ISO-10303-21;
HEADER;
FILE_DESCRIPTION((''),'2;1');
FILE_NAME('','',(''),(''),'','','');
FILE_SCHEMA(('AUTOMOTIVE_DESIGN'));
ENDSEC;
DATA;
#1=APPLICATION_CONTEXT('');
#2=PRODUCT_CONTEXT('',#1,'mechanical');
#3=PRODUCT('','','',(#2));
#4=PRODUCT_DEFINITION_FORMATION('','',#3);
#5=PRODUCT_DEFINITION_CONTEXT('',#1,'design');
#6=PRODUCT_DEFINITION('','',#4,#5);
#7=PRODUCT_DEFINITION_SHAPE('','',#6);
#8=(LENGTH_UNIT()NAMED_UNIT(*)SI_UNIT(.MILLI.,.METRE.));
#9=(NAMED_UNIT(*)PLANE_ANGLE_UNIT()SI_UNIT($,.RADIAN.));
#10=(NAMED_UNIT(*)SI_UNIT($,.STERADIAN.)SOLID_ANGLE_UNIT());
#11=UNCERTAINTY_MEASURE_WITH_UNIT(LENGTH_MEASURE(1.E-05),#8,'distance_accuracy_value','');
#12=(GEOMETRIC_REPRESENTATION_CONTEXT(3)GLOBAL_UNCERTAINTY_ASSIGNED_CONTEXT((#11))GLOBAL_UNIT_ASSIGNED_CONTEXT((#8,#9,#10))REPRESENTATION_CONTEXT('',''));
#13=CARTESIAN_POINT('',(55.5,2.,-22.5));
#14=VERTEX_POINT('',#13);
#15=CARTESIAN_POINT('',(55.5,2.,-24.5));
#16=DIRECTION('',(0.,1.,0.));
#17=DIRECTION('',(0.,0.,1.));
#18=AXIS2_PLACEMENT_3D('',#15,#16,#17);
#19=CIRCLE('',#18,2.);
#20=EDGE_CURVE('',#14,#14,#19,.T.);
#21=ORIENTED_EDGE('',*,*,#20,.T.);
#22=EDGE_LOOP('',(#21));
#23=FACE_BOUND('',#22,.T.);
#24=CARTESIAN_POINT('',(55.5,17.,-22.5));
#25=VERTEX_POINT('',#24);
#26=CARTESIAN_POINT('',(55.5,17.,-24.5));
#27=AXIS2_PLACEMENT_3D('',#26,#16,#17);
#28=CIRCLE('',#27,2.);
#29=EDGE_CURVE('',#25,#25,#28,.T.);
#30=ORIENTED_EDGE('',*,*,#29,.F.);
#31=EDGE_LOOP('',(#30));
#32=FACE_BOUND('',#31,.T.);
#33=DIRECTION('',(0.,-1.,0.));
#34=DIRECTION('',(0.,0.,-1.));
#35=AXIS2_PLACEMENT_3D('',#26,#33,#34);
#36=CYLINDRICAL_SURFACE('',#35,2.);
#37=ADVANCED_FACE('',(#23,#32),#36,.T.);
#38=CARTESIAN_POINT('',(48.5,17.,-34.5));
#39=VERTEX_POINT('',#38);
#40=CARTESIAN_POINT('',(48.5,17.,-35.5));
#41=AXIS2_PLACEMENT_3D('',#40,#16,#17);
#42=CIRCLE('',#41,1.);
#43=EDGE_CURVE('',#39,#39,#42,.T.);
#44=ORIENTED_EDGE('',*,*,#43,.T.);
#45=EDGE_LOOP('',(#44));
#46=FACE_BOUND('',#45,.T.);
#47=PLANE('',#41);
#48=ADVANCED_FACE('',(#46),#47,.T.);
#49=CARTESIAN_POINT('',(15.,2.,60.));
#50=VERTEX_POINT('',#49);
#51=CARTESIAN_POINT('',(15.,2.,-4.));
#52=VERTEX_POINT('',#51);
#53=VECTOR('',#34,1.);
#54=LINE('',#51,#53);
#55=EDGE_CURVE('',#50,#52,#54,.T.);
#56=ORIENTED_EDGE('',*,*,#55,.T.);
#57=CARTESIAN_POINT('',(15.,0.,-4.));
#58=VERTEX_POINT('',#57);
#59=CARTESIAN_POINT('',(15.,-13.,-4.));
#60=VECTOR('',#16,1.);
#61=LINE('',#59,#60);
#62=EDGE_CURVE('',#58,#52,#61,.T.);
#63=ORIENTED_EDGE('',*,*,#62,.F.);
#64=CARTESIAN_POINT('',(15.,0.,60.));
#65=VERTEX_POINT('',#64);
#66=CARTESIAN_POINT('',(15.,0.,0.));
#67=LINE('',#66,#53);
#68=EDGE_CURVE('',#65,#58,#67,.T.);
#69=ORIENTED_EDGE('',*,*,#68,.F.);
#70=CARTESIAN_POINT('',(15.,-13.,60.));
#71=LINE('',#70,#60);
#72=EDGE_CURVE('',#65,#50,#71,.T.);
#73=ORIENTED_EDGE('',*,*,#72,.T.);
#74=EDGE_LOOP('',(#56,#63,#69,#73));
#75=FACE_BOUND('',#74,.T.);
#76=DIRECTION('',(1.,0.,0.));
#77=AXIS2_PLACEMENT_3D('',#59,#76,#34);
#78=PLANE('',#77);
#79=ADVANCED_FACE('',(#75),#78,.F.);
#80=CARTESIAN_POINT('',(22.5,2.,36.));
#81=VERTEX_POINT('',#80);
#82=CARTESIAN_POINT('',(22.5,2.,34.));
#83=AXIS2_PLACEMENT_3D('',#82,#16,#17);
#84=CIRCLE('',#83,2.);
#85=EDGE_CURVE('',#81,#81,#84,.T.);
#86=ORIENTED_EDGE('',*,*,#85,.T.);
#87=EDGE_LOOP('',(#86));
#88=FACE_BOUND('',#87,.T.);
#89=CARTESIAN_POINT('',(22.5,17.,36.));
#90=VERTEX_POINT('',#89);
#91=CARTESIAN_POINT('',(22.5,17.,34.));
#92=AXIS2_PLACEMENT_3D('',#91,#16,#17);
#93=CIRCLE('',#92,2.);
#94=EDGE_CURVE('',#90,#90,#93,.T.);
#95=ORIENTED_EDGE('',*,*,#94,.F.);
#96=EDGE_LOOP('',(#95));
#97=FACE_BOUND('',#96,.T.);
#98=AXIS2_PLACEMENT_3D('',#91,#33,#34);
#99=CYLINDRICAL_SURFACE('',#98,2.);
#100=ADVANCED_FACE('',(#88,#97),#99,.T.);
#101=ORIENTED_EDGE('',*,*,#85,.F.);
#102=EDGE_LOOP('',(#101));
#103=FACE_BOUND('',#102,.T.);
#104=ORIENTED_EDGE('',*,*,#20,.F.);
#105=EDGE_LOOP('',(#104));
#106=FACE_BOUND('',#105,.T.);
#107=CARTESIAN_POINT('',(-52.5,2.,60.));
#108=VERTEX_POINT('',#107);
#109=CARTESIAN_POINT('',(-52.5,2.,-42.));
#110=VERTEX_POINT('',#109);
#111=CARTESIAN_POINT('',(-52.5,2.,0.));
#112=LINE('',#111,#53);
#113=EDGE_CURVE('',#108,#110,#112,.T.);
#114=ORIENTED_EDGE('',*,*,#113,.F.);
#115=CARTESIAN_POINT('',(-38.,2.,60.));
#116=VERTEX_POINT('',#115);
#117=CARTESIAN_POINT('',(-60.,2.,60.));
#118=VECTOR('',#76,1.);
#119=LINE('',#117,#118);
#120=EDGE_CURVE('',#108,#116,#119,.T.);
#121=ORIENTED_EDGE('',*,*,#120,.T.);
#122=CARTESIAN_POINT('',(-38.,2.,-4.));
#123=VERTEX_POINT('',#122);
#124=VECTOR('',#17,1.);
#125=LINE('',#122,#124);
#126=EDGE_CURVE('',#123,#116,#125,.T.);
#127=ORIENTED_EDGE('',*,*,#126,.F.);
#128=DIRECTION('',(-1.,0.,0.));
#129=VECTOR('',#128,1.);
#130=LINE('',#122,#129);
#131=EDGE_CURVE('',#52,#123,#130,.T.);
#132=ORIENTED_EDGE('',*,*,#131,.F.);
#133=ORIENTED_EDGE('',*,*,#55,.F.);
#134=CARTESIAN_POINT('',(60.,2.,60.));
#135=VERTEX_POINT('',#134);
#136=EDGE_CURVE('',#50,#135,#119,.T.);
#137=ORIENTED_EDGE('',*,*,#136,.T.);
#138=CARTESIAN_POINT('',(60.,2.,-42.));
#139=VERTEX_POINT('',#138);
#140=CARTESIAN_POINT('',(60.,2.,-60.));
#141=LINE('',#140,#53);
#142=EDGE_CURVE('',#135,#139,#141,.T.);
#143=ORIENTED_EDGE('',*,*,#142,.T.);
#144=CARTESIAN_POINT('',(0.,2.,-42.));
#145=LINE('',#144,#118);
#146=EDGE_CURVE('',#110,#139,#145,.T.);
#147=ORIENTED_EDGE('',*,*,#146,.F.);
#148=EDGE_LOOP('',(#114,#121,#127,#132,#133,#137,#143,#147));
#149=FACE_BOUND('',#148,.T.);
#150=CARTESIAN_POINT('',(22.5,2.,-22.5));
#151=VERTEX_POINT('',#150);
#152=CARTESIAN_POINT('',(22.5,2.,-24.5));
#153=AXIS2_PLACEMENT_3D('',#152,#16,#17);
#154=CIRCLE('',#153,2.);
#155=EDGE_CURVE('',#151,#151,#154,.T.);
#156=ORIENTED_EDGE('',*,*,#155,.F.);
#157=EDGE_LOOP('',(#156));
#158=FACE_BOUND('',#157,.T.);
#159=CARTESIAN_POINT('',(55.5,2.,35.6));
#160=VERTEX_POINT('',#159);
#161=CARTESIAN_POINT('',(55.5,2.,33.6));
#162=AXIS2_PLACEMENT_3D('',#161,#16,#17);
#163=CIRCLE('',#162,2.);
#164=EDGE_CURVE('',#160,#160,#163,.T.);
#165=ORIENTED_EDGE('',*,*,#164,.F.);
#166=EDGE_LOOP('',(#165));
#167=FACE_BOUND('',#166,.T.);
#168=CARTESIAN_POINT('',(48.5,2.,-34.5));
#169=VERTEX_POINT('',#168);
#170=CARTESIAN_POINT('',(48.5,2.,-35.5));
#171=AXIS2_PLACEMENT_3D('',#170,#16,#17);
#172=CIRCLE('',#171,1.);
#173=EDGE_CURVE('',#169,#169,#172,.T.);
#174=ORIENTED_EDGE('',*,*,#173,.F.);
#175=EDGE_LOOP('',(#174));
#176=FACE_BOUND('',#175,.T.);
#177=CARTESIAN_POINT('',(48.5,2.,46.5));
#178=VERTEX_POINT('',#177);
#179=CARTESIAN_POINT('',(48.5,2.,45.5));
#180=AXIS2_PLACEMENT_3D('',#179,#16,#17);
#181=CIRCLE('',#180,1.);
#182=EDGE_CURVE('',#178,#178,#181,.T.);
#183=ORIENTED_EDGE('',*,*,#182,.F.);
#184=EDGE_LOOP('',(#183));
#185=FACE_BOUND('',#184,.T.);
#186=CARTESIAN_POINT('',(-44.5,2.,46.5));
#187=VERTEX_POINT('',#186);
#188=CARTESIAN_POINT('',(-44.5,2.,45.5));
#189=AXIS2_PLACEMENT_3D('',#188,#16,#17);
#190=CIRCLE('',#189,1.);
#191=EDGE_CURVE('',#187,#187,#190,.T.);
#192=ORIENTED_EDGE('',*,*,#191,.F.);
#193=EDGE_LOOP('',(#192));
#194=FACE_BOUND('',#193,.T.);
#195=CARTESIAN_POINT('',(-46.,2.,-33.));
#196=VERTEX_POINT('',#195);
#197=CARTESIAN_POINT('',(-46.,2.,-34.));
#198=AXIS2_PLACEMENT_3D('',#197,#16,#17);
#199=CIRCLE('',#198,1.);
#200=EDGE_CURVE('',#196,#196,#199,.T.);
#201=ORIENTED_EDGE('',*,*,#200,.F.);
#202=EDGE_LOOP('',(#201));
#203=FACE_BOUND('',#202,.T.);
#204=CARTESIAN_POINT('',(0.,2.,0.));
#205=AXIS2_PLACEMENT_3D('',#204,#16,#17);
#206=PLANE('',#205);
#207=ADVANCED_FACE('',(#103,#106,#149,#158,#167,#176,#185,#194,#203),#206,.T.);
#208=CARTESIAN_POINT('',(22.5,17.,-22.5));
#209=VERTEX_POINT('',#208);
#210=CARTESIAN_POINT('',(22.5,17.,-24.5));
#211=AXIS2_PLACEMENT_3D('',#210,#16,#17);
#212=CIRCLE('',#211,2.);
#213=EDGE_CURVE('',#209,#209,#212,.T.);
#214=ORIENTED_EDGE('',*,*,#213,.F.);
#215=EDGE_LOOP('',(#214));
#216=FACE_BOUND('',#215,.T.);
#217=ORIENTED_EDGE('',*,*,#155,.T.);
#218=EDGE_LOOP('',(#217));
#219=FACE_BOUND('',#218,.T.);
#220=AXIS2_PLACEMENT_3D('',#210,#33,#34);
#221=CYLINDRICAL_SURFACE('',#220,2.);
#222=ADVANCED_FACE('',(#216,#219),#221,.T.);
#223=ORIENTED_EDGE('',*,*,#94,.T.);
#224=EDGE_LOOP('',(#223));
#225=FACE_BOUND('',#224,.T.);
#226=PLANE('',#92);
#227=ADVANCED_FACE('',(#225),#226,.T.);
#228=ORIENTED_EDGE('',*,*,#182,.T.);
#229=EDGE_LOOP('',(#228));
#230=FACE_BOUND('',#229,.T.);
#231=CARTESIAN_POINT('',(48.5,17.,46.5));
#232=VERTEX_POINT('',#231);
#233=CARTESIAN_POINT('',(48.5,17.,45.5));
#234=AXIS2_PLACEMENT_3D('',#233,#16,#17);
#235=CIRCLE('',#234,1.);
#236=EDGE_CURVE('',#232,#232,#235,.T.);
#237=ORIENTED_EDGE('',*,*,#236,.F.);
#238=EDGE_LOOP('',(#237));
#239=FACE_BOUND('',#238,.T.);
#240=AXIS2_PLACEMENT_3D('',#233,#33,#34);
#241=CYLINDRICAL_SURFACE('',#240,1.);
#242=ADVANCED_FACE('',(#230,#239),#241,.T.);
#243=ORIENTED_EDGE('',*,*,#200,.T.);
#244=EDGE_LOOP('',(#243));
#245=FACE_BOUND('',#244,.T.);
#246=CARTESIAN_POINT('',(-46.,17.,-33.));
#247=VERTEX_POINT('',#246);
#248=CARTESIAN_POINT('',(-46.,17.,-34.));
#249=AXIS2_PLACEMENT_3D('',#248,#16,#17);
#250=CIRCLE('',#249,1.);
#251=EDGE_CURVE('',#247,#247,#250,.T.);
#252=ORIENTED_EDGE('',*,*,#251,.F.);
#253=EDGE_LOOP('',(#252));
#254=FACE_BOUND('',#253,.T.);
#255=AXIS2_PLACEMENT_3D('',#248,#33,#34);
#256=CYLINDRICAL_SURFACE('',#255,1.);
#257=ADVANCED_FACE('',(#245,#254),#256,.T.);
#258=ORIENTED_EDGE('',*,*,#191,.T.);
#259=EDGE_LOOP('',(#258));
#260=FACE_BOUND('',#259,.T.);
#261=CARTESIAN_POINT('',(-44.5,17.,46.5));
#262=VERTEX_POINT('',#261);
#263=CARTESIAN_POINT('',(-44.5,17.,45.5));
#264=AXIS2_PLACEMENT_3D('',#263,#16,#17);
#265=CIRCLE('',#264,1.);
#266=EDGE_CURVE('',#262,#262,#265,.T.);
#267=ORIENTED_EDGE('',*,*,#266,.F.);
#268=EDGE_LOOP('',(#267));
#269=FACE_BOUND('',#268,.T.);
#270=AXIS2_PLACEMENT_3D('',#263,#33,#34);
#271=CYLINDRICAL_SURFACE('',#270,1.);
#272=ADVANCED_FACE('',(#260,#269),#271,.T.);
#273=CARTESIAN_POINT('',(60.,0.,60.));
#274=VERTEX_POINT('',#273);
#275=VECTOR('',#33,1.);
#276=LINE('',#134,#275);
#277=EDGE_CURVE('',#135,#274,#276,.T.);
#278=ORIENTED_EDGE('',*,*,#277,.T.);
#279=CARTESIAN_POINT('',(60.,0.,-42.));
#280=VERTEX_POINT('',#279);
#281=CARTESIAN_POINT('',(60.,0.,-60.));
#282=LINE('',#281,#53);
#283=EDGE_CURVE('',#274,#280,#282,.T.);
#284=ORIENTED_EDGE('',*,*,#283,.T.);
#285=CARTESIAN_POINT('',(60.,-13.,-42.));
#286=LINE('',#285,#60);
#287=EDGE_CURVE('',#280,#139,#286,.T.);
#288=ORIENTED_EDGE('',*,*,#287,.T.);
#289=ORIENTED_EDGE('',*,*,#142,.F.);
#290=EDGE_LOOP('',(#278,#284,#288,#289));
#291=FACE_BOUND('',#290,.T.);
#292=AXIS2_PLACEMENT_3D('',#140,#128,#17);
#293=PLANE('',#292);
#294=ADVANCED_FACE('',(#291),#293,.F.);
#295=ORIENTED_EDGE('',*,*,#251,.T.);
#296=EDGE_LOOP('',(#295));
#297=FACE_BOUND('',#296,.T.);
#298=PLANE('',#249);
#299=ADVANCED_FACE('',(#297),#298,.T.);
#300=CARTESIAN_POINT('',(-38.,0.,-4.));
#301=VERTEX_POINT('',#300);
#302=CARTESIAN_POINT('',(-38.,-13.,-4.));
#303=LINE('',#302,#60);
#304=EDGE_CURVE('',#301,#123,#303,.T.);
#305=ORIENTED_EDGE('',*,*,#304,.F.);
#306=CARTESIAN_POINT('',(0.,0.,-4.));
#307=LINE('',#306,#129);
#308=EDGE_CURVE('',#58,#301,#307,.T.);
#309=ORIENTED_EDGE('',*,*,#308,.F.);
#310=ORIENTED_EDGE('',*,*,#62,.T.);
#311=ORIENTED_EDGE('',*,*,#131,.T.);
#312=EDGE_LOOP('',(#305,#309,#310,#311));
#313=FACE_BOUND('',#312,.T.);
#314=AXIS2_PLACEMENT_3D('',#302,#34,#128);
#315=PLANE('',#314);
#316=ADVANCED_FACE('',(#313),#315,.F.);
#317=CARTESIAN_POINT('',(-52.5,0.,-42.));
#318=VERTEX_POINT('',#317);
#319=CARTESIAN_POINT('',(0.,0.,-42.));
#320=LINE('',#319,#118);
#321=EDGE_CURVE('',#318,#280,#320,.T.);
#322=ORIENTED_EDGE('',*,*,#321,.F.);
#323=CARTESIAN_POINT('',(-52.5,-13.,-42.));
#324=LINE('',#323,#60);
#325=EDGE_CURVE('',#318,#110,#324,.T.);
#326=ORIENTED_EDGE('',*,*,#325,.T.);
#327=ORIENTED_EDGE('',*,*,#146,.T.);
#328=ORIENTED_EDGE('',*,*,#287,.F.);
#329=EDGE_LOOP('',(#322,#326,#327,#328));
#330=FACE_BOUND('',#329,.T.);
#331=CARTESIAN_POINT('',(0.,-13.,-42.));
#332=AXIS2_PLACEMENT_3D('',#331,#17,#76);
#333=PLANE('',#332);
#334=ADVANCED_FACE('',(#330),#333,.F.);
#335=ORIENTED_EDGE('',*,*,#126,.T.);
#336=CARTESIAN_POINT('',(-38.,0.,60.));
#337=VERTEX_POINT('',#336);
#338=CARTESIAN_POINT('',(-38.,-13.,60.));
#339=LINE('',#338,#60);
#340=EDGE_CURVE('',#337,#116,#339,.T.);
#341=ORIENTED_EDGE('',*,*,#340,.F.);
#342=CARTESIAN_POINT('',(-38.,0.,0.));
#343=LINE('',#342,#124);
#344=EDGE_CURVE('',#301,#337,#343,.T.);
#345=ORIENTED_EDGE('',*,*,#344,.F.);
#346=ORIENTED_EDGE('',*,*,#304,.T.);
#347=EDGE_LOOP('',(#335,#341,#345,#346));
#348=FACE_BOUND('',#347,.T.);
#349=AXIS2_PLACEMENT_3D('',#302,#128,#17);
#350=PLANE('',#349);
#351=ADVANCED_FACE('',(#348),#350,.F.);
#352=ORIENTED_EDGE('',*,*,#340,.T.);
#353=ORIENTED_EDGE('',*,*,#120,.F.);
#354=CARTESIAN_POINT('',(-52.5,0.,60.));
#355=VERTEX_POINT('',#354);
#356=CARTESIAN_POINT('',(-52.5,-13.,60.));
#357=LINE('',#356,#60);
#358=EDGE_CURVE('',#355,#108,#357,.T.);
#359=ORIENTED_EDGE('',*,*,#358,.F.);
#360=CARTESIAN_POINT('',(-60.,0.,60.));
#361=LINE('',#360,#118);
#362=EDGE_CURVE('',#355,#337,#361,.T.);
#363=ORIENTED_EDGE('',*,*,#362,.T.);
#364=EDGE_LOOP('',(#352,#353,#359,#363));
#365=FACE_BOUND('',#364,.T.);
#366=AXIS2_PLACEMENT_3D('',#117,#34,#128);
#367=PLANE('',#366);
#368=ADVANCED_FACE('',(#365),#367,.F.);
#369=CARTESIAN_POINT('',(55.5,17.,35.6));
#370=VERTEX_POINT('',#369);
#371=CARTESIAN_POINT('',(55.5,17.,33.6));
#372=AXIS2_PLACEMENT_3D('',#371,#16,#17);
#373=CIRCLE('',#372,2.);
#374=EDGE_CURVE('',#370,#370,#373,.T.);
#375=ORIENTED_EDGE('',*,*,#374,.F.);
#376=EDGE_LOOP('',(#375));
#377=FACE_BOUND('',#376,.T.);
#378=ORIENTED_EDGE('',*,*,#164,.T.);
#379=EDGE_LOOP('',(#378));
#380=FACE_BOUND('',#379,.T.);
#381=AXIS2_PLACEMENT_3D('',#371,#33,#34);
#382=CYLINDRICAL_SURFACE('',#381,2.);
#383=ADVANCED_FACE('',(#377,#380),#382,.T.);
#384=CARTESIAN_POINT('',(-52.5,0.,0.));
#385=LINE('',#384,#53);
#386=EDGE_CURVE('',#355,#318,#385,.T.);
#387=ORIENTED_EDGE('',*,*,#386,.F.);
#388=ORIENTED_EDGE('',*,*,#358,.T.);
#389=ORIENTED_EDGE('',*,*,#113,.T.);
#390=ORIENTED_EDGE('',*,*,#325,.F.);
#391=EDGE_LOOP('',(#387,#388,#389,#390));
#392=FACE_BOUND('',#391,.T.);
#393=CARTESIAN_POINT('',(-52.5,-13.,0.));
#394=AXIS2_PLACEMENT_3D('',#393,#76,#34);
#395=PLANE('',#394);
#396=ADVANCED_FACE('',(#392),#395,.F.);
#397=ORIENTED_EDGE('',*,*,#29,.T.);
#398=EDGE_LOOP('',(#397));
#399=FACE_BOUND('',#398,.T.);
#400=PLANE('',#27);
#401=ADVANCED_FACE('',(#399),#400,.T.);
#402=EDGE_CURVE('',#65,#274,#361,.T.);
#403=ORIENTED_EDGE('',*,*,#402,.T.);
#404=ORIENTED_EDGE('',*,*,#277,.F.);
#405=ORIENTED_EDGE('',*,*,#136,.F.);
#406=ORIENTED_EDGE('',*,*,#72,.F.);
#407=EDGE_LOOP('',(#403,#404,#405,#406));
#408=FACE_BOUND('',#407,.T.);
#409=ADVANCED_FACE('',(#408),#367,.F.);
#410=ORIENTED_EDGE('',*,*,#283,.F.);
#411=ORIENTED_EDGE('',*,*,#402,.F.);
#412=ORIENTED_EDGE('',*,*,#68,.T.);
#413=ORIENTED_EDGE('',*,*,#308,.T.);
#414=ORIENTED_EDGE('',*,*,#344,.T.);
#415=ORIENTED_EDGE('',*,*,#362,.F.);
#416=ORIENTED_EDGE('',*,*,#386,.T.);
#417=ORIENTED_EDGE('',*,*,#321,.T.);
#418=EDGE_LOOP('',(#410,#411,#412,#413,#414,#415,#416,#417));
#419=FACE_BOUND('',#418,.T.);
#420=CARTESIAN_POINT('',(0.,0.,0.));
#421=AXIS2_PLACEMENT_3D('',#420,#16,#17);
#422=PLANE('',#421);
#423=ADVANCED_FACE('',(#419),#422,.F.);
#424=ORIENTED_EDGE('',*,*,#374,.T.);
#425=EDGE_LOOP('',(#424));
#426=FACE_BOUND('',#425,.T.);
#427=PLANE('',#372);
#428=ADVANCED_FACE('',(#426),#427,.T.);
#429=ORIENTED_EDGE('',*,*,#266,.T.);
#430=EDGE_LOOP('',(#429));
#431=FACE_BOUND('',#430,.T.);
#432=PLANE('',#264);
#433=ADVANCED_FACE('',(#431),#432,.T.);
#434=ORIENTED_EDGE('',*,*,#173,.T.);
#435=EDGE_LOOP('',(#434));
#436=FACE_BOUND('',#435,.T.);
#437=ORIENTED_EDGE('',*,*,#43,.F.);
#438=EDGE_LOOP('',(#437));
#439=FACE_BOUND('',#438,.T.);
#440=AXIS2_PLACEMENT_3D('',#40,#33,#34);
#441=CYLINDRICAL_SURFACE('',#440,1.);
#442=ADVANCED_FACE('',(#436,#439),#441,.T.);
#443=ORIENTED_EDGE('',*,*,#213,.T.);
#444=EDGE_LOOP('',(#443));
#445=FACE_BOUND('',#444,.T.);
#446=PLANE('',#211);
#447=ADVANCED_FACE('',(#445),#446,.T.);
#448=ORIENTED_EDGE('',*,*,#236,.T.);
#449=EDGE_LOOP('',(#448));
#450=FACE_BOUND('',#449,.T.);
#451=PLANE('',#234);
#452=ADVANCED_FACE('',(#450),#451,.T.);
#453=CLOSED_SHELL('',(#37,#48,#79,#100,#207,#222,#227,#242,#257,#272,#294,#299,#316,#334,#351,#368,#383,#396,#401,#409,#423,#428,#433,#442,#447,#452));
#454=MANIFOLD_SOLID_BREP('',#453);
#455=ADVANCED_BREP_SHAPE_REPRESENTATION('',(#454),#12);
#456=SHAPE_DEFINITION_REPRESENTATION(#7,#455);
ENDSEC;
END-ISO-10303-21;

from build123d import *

# Parameters (mm, degrees)
SKETCH_1_W          = 120
SKETCH_1_H          = 120
EXTRUDE_1_DEPTH     = 2
SKETCH_2_R          = 2
SKETCH_2_R_2        = 1
EXTRUDE_2_DEPTH     = 15
SKETCH_3_W          = 53
SKETCH_3_H          = 18
SKETCH_3_W_2        = 45
SKETCH_3_W_3        = 14.5
SKETCH_3_W_4        = 7.5
SKETCH_3_H_2        = 13
SKETCH_3_H_3        = 89
CUT_EXTRUDE_3_DEPTH = 15
SKETCH_4_W          = 53
SKETCH_4_H          = 64
CUT_EXTRUDE_4_DEPTH = 15


with BuildPart() as part:
    # 스케치1 → 보스-돌출1 (new body)
    with BuildSketch(Plane(origin=(0, 0, 0), x_dir=(1, 0, 0), z_dir=(0, 1, 0))):
        Rectangle(SKETCH_1_W, SKETCH_1_H)
    extrude(amount=EXTRUDE_1_DEPTH)

    # 스케치2 → 보스-돌출2 (add)
    with BuildSketch(Plane(origin=(0, 2, 0), x_dir=(1, 0, 0), z_dir=(0, 1, 0))):
        with Locations(Location((55.5, 24.5, 0), (0, 0, 270))):
            Circle(SKETCH_2_R)
        with Locations(Location((55.5, -33.6, 0), (0, 0, 270))):
            Circle(SKETCH_2_R)
        with Locations(Location((48.5, -45.5, 0), (0, 0, 270))):
            Circle(SKETCH_2_R_2)
        with Locations(Location((22.5, -34, 0), (0, 0, 270))):
            Circle(SKETCH_2_R)
        with Locations(Location((22.5, 24.5, 0), (0, 0, 270))):
            Circle(SKETCH_2_R)
        with Locations(Location((48.5, 35.5, 0), (0, 0, 270))):
            Circle(SKETCH_2_R_2)
        with Locations(Location((-46, 34, 0), (0, 0, 270))):
            Circle(SKETCH_2_R_2)
        with Locations(Location((-44.5, -45.5, 0), (0, 0, 270))):
            Circle(SKETCH_2_R_2)
    extrude(amount=EXTRUDE_2_DEPTH)

    # 스케치3 → 컷-돌출3 (cut)
    with BuildSketch(Plane(origin=(0, 2, 0), x_dir=(1, 0, 0), z_dir=(0, 1, 0))):
        with Locations((-11.5, 51)):
            Rectangle(SKETCH_3_W, SKETCH_3_H)
        with Locations((37.5, 51)):
            Rectangle(SKETCH_3_W_2, SKETCH_3_H)
        with Locations((-45.25, 51)):
            Rectangle(SKETCH_3_W_3, SKETCH_3_H)
        with Locations((-56.25, 51)):
            Rectangle(SKETCH_3_W_4, SKETCH_3_H)
        with Locations((-56.25, 35.5)):
            Rectangle(SKETCH_3_W_4, SKETCH_3_H_2)
        with Locations((-56.25, -15.5)):
            Rectangle(SKETCH_3_W_4, SKETCH_3_H_3)
    extrude(amount=-CUT_EXTRUDE_3_DEPTH, mode=Mode.SUBTRACT)

    # 스케치4 → 컷-돌출4 (cut)
    with BuildSketch(Plane(origin=(0, 2, 0), x_dir=(1, 0, 0), z_dir=(0, 1, 0))):
        with Locations((-11.5, -28)):
            Rectangle(SKETCH_4_W, SKETCH_4_H)
    extrude(amount=-CUT_EXTRUDE_4_DEPTH, mode=Mode.SUBTRACT)


solid = part.part
